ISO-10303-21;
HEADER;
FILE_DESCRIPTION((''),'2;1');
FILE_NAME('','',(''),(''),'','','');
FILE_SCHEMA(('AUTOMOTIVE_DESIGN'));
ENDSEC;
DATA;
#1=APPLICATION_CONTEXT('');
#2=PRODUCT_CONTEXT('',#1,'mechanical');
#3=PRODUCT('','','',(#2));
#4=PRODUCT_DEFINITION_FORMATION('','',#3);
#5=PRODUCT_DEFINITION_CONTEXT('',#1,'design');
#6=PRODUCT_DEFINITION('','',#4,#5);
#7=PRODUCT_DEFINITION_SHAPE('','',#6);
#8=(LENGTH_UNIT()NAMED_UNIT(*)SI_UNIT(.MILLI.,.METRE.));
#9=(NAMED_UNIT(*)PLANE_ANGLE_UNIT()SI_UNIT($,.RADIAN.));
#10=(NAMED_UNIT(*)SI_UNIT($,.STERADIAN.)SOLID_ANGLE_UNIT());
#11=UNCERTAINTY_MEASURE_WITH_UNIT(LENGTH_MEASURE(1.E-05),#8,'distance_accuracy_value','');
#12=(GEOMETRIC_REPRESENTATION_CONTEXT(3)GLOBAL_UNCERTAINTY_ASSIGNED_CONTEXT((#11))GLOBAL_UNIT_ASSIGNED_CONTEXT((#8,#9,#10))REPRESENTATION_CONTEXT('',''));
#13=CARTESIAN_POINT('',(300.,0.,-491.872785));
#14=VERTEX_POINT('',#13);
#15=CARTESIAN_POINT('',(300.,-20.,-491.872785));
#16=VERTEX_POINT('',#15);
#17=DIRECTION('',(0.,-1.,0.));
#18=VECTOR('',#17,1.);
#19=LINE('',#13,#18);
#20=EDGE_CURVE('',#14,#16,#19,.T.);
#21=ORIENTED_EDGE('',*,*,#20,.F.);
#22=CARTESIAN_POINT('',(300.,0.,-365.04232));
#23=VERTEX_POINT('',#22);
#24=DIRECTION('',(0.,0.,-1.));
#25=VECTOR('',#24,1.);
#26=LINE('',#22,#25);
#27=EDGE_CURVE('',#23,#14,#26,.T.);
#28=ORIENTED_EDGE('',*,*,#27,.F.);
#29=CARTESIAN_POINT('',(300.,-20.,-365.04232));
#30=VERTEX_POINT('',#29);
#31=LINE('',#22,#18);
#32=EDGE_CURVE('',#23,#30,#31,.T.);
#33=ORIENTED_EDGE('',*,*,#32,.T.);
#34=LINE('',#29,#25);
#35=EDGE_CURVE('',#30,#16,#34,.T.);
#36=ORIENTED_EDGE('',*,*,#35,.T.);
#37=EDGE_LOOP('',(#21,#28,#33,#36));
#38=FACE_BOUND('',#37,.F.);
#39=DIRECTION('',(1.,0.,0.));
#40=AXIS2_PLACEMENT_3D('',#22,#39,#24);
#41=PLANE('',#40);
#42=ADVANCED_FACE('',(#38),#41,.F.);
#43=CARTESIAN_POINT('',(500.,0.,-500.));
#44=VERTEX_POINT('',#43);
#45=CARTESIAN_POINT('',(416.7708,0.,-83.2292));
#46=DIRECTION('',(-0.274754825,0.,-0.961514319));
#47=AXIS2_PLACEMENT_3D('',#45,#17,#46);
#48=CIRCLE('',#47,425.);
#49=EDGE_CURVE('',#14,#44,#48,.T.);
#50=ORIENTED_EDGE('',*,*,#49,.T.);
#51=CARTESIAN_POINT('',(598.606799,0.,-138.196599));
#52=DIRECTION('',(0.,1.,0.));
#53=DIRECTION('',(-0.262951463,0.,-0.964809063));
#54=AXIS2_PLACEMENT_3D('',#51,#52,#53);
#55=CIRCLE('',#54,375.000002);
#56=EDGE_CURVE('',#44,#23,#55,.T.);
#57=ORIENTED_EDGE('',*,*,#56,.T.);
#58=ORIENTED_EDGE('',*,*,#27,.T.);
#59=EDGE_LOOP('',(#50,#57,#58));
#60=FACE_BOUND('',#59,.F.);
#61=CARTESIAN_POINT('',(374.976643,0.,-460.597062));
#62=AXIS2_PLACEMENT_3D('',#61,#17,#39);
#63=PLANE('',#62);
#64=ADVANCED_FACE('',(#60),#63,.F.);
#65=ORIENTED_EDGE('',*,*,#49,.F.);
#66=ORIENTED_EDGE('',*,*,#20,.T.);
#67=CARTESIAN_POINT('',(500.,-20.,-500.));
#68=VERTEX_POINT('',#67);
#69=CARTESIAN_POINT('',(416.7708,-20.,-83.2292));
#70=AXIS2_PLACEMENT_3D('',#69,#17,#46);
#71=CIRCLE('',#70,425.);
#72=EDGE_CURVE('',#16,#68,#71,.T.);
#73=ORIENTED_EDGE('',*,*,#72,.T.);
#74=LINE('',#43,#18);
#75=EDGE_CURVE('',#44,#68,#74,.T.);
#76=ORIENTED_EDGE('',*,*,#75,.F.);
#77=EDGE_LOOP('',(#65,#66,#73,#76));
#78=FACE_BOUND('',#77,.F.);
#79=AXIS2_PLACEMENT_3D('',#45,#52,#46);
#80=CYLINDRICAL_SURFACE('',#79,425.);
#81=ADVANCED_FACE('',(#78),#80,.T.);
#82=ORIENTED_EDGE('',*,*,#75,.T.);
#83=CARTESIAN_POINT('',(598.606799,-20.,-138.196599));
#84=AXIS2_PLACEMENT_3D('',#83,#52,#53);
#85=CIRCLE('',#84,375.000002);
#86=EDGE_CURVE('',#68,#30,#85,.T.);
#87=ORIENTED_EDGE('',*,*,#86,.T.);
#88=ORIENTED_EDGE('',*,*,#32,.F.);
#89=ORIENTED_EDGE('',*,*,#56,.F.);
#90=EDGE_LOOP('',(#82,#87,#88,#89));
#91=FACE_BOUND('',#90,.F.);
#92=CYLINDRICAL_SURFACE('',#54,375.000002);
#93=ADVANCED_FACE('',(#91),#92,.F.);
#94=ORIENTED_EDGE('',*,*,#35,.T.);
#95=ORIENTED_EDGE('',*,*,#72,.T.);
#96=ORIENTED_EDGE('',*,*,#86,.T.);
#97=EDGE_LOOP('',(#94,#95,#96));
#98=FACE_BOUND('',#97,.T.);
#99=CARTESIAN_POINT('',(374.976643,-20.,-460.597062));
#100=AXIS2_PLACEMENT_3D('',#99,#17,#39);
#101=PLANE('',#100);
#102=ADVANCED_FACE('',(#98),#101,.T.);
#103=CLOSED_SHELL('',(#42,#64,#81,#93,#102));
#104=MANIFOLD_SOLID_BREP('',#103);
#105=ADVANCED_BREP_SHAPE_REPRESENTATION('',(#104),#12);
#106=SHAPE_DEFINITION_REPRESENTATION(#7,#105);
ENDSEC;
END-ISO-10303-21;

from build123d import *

# Parameters (mm, degrees)
F1_DEPTH = 20


with BuildPart() as f1:
    # F0 (on Front) → F1 (new body)
    with BuildSketch(Plane.XZ):
        with BuildLine():
            Line((300, -365.04232), (300, -491.872785))
            ThreePointArc((300, -491.872785), (399.51471, -507.878734), (500, -500))
            ThreePointArc((500, -500), (388.849667, -449.045352), (300, -365.04232))
        make_face()
    extrude(amount=F1_DEPTH)


solid = f1.part
